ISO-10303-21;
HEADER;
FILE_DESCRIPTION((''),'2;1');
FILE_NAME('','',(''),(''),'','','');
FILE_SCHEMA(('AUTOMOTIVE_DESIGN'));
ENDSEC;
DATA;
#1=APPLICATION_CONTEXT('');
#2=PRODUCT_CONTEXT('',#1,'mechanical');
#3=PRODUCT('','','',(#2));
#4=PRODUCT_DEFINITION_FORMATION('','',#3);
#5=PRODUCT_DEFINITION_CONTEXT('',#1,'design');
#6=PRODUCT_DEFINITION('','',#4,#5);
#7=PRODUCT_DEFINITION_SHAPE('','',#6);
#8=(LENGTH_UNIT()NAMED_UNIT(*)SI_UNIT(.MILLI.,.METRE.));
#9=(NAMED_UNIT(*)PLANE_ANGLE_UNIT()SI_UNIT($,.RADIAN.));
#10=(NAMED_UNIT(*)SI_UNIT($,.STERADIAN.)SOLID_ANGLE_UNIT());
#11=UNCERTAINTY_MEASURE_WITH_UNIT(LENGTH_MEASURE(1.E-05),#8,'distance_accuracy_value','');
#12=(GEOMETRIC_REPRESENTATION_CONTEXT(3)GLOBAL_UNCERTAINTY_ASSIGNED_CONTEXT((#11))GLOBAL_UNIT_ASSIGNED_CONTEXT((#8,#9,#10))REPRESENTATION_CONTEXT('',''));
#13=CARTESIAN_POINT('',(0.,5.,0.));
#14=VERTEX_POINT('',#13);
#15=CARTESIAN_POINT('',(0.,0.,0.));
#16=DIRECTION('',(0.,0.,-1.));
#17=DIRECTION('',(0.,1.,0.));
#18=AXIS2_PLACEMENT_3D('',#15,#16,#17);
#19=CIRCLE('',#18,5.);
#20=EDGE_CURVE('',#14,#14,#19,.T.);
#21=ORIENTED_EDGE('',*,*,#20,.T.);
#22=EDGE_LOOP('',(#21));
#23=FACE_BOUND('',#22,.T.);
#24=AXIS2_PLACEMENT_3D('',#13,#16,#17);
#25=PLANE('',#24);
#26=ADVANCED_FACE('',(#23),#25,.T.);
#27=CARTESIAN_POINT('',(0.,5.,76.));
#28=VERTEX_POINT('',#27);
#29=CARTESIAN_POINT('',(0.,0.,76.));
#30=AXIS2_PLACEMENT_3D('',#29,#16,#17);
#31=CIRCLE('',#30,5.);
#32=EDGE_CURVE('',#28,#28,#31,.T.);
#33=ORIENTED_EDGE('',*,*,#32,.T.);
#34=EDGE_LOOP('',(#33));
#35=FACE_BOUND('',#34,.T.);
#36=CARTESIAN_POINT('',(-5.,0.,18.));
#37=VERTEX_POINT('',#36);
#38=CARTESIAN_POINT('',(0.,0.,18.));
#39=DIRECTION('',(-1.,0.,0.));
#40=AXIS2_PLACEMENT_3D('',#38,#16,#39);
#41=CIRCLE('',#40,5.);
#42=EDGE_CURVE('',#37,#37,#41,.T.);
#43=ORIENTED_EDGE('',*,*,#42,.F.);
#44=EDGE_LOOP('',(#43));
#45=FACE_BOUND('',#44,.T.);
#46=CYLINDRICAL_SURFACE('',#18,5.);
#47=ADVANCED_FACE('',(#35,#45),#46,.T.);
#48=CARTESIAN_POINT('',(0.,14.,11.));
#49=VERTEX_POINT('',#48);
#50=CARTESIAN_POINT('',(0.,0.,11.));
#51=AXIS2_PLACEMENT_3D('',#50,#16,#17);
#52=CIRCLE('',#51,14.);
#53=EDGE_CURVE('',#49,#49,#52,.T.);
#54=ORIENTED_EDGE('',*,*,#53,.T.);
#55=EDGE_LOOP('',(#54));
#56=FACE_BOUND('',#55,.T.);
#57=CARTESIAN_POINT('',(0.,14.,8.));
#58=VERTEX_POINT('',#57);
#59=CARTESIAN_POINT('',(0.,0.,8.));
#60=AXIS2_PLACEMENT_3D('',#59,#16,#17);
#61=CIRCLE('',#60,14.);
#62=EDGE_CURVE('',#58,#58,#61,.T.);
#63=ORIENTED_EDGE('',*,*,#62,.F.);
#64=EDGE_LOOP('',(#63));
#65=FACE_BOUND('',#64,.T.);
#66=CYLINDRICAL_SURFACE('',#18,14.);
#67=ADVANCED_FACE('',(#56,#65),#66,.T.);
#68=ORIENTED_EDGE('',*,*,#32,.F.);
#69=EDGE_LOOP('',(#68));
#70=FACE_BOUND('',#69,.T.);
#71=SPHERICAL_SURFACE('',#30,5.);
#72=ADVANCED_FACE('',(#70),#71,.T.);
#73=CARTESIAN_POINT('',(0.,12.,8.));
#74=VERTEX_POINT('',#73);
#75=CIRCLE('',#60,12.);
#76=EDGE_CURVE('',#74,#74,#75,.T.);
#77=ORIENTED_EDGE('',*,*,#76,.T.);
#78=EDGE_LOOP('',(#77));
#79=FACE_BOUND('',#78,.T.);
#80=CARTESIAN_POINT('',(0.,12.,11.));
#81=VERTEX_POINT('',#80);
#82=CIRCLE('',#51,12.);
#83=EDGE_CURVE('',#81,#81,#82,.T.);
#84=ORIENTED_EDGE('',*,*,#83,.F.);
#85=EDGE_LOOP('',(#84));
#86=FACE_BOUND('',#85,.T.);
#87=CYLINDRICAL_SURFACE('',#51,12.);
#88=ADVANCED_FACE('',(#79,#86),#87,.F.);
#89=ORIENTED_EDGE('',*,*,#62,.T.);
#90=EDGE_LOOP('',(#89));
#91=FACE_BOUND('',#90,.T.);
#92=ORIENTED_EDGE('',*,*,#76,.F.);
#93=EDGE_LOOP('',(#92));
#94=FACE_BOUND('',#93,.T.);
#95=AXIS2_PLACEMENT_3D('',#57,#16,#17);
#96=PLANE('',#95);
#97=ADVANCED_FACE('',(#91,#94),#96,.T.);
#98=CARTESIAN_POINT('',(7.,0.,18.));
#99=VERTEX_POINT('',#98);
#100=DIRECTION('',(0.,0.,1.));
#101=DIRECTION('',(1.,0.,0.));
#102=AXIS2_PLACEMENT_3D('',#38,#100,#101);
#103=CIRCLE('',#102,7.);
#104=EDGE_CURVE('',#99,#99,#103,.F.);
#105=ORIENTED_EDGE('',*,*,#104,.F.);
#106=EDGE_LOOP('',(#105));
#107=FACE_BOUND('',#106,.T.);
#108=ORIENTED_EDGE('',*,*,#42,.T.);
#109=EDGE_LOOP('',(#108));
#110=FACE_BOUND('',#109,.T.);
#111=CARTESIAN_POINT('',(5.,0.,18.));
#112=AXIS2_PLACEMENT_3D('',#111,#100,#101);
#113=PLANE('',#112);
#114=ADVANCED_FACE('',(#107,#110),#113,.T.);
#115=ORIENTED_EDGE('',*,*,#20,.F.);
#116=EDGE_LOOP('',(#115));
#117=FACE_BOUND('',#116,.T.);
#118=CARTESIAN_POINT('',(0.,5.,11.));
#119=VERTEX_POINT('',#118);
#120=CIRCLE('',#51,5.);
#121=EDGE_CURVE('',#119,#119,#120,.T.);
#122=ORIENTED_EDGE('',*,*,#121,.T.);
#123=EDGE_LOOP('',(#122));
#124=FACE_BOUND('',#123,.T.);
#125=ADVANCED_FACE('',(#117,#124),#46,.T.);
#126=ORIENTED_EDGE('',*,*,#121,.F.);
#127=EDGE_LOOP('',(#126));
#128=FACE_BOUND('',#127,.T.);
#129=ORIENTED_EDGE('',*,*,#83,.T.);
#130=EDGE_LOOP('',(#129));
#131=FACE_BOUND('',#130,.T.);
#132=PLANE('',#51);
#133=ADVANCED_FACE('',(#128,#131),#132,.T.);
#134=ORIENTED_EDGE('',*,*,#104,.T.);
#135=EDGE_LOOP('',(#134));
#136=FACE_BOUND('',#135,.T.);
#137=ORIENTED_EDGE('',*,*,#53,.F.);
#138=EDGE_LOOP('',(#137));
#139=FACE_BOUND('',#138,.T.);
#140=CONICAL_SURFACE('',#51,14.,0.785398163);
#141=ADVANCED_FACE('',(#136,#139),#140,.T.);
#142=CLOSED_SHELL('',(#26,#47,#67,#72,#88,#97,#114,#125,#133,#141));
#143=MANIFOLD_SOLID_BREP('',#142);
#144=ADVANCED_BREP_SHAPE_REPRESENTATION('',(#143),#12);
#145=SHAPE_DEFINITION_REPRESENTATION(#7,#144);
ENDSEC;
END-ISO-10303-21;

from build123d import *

# Parameters (mm, degrees)
SKETCH_2_R          = 12
SKETCH_2_R_2        = 5
CUT_EXTRUDE_1_DEPTH = 3
SKETCH_3_W          = 5
SKETCH_3_H          = 2


with BuildPart() as part:
    # 草图1 → 旋转1 (revolve)
    with BuildSketch(Plane(origin=(0, 0, 0), x_dir=(0, 0, -1), z_dir=(1, 0, 0))):
        with BuildLine():
            Line((-76, 5), (-20, 5))
            Line((-20, 5), (-11, 14))
            Line((-11, 14), (-8, 14))
            Line((-8, 14), (-8, 5))
            Line((-8, 5), (0, 5))
            Line((0, 5), (0, 0))
            Line((0, 0), (-81, 0))
            ThreePointArc((-81, 0), (-79.535533906, 3.535533906), (-76, 5))
        make_face()
    revolve(axis=Axis((0, 0, 0), (0, 0, 1)))

    # 草图2 → 切除-拉伸1 (cut)
    with BuildSketch(Plane(origin=(0, 0, 8), x_dir=(-1, 0, 0), z_dir=(0, 0, -1))):
        with Locations(Location((0, 0, 0), (0, 0, 90))):
            Circle(SKETCH_2_R)
        with Locations(Location((0, 0, 0), (0, 0, 90))):
            Circle(SKETCH_2_R_2, mode=Mode.SUBTRACT)
    extrude(amount=-CUT_EXTRUDE_1_DEPTH, mode=Mode.SUBTRACT)

    # 草图3 → 切除-旋转1 (revolve, cut)
    with BuildSketch(Plane(origin=(0, 0, 0), x_dir=(1, 0, 0), z_dir=(0, 1, 0)), mode=Mode.PRIVATE) as cut_revolve_1_sk:
        with Locations((7.5, -19)):
            Rectangle(SKETCH_3_W, SKETCH_3_H)
    revolve(cut_revolve_1_sk.sketch.rotate(Axis((0, 0, 20), (0, 0, 1)), 90), axis=Axis((0, 0, 20), (0, 0, 1)), mode=Mode.SUBTRACT)


solid = part.part
